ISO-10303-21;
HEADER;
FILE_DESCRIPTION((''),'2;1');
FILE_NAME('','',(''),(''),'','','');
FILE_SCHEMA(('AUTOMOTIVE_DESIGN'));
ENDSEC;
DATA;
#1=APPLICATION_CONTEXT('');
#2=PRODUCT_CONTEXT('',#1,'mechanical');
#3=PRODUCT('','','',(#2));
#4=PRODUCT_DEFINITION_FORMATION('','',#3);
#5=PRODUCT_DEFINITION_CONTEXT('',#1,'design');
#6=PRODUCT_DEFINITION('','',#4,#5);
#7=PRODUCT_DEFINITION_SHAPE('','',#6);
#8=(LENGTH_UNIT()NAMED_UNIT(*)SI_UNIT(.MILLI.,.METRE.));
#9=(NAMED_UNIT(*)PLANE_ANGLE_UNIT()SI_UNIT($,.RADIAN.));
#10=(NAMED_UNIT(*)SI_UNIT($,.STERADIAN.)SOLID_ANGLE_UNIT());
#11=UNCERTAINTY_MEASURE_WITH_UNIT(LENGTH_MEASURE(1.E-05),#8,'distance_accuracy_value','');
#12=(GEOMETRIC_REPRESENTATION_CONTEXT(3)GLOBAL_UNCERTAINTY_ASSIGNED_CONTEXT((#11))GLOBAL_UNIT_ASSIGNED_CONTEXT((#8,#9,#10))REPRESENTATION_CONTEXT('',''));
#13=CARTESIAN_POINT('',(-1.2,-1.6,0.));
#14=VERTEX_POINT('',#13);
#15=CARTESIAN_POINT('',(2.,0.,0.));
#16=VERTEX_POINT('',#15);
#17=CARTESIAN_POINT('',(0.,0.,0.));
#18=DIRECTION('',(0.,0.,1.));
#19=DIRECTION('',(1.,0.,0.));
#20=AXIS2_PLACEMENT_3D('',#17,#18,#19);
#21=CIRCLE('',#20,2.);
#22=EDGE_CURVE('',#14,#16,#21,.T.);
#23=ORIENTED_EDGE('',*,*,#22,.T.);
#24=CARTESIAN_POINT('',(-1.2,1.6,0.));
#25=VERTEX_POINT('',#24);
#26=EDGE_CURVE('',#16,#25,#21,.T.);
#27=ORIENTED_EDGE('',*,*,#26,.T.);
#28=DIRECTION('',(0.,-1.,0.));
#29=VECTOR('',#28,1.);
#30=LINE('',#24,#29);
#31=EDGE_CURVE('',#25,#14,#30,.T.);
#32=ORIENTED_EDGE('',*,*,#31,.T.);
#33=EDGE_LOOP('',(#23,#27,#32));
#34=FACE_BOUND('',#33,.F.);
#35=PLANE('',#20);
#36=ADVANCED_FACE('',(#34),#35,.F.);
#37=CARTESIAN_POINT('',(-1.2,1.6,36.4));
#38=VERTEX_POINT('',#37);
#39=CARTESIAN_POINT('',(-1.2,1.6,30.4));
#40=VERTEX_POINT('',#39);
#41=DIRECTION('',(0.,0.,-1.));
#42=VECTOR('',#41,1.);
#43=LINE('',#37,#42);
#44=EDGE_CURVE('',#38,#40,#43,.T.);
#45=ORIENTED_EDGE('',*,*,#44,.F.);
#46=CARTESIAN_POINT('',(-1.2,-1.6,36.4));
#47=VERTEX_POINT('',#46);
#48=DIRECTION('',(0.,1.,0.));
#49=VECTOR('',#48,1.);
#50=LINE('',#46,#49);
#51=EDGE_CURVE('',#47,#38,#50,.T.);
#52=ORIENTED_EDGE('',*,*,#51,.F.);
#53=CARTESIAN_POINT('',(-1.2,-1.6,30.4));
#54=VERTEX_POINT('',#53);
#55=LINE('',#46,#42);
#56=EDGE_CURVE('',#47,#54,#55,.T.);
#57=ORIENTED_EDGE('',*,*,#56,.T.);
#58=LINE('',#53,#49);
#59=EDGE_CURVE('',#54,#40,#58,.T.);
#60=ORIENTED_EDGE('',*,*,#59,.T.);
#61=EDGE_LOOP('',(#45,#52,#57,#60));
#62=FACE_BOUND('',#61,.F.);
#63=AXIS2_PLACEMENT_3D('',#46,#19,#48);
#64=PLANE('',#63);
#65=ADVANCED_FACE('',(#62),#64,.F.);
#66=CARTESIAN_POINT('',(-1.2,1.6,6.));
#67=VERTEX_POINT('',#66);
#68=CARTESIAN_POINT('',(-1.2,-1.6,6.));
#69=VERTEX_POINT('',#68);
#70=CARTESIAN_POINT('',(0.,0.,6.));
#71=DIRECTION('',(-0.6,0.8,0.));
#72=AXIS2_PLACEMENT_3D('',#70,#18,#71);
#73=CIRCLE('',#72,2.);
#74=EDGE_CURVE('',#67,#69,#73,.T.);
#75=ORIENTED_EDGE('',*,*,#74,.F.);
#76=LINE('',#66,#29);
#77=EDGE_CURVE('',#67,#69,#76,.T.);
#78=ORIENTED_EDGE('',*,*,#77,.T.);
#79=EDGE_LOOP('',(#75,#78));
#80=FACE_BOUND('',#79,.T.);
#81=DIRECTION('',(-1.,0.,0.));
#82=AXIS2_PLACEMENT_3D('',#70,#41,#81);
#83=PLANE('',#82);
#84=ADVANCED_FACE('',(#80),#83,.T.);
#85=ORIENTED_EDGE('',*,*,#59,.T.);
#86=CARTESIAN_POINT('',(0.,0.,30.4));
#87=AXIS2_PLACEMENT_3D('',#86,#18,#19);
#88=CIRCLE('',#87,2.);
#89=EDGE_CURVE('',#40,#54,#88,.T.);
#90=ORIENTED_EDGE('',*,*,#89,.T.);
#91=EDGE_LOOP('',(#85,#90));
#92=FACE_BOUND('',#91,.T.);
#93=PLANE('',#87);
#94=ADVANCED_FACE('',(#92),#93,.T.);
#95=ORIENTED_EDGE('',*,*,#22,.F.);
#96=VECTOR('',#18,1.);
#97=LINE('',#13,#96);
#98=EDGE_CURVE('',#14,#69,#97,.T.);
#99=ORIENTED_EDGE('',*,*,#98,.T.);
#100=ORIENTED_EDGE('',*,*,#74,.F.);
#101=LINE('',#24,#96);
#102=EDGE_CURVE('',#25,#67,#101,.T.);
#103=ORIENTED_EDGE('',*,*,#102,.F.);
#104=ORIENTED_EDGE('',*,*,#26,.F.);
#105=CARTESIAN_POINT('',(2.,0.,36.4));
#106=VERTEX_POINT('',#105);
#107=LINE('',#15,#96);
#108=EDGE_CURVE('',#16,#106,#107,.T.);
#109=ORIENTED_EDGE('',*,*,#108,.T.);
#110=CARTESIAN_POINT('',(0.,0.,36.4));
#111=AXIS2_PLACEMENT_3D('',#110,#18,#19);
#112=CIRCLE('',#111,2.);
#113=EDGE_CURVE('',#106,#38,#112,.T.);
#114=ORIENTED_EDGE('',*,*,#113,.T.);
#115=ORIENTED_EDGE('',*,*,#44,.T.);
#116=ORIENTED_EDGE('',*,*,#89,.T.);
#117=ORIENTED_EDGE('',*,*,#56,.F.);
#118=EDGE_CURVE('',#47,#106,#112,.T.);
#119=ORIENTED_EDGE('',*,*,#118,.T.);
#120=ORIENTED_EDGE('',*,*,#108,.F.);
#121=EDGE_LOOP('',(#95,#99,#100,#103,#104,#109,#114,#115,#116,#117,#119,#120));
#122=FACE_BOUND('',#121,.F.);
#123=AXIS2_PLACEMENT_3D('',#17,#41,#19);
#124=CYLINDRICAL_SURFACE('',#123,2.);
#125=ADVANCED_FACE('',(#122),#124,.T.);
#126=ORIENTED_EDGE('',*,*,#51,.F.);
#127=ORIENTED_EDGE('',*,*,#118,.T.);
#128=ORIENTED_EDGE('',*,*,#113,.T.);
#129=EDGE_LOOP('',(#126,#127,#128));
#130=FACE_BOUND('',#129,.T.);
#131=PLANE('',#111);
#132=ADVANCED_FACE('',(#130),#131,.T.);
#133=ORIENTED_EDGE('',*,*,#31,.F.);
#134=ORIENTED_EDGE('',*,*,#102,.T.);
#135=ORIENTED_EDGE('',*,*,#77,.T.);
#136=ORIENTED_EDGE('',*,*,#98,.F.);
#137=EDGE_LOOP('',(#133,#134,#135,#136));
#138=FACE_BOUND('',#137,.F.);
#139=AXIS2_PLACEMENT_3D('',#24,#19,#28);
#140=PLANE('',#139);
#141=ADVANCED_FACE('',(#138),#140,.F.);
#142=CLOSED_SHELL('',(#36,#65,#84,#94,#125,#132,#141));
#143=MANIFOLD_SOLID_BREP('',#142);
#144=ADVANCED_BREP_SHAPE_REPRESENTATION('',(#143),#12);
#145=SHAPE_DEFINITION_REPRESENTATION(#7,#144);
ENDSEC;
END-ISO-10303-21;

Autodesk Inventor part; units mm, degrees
ref_plane "YZ Plane" through (0, 0, 0) normal (1, 0, 0) x (0, 1, 0)
ref_plane "XZ Plane" through (0, 0, 0) normal (0, 1, 0) x (-1, 0, 0)
ref_plane "XY Plane" through (0, 0, 0) normal (0, 0, 1) x (1, 0, 0)
sketch "スケッチ1" plane through (0, 0, 0) normal (0, 0, 1) x (1, 0, 0)
  circle A0 centre (0, 0) radius 2
  dimension "d0" = 4
extrude "押し出し1" add sketch "スケッチ1" along normal blind 36.4
sketch "スケッチ2" plane through (0, 0, 36.4) normal (0, 0, 1) x (1, 0, 0)
  circle A0 centre (0, 0) radius 2 projected
  line L0 (-1.2, -1.6) -> (-1.2, 1.6)
  circle A1 centre (0, 0) radius 2 projected
  dimension "d4" = 3.2
extrude "押し出し2" cut sketch "スケッチ2" against normal blind 6 contours L0 A0 picked at (-1.3118, -0.4272)
sketch "スケッチ3" plane through (0, 0, 0) normal (0, 0, -1) x (-1, 0, 0)
  line L0 (1.2, 1.6) -> (1.2, -1.6)
  circle A0 centre (0, 0) radius 2 projected
  dimension "d7" = 3.2
extrude "押し出し3" cut sketch "スケッチ3" against normal blind 6 contours A0 L0 picked at (1.6903, 0)
properties part number "shaft" material "アルミニウム 5052 H32"
